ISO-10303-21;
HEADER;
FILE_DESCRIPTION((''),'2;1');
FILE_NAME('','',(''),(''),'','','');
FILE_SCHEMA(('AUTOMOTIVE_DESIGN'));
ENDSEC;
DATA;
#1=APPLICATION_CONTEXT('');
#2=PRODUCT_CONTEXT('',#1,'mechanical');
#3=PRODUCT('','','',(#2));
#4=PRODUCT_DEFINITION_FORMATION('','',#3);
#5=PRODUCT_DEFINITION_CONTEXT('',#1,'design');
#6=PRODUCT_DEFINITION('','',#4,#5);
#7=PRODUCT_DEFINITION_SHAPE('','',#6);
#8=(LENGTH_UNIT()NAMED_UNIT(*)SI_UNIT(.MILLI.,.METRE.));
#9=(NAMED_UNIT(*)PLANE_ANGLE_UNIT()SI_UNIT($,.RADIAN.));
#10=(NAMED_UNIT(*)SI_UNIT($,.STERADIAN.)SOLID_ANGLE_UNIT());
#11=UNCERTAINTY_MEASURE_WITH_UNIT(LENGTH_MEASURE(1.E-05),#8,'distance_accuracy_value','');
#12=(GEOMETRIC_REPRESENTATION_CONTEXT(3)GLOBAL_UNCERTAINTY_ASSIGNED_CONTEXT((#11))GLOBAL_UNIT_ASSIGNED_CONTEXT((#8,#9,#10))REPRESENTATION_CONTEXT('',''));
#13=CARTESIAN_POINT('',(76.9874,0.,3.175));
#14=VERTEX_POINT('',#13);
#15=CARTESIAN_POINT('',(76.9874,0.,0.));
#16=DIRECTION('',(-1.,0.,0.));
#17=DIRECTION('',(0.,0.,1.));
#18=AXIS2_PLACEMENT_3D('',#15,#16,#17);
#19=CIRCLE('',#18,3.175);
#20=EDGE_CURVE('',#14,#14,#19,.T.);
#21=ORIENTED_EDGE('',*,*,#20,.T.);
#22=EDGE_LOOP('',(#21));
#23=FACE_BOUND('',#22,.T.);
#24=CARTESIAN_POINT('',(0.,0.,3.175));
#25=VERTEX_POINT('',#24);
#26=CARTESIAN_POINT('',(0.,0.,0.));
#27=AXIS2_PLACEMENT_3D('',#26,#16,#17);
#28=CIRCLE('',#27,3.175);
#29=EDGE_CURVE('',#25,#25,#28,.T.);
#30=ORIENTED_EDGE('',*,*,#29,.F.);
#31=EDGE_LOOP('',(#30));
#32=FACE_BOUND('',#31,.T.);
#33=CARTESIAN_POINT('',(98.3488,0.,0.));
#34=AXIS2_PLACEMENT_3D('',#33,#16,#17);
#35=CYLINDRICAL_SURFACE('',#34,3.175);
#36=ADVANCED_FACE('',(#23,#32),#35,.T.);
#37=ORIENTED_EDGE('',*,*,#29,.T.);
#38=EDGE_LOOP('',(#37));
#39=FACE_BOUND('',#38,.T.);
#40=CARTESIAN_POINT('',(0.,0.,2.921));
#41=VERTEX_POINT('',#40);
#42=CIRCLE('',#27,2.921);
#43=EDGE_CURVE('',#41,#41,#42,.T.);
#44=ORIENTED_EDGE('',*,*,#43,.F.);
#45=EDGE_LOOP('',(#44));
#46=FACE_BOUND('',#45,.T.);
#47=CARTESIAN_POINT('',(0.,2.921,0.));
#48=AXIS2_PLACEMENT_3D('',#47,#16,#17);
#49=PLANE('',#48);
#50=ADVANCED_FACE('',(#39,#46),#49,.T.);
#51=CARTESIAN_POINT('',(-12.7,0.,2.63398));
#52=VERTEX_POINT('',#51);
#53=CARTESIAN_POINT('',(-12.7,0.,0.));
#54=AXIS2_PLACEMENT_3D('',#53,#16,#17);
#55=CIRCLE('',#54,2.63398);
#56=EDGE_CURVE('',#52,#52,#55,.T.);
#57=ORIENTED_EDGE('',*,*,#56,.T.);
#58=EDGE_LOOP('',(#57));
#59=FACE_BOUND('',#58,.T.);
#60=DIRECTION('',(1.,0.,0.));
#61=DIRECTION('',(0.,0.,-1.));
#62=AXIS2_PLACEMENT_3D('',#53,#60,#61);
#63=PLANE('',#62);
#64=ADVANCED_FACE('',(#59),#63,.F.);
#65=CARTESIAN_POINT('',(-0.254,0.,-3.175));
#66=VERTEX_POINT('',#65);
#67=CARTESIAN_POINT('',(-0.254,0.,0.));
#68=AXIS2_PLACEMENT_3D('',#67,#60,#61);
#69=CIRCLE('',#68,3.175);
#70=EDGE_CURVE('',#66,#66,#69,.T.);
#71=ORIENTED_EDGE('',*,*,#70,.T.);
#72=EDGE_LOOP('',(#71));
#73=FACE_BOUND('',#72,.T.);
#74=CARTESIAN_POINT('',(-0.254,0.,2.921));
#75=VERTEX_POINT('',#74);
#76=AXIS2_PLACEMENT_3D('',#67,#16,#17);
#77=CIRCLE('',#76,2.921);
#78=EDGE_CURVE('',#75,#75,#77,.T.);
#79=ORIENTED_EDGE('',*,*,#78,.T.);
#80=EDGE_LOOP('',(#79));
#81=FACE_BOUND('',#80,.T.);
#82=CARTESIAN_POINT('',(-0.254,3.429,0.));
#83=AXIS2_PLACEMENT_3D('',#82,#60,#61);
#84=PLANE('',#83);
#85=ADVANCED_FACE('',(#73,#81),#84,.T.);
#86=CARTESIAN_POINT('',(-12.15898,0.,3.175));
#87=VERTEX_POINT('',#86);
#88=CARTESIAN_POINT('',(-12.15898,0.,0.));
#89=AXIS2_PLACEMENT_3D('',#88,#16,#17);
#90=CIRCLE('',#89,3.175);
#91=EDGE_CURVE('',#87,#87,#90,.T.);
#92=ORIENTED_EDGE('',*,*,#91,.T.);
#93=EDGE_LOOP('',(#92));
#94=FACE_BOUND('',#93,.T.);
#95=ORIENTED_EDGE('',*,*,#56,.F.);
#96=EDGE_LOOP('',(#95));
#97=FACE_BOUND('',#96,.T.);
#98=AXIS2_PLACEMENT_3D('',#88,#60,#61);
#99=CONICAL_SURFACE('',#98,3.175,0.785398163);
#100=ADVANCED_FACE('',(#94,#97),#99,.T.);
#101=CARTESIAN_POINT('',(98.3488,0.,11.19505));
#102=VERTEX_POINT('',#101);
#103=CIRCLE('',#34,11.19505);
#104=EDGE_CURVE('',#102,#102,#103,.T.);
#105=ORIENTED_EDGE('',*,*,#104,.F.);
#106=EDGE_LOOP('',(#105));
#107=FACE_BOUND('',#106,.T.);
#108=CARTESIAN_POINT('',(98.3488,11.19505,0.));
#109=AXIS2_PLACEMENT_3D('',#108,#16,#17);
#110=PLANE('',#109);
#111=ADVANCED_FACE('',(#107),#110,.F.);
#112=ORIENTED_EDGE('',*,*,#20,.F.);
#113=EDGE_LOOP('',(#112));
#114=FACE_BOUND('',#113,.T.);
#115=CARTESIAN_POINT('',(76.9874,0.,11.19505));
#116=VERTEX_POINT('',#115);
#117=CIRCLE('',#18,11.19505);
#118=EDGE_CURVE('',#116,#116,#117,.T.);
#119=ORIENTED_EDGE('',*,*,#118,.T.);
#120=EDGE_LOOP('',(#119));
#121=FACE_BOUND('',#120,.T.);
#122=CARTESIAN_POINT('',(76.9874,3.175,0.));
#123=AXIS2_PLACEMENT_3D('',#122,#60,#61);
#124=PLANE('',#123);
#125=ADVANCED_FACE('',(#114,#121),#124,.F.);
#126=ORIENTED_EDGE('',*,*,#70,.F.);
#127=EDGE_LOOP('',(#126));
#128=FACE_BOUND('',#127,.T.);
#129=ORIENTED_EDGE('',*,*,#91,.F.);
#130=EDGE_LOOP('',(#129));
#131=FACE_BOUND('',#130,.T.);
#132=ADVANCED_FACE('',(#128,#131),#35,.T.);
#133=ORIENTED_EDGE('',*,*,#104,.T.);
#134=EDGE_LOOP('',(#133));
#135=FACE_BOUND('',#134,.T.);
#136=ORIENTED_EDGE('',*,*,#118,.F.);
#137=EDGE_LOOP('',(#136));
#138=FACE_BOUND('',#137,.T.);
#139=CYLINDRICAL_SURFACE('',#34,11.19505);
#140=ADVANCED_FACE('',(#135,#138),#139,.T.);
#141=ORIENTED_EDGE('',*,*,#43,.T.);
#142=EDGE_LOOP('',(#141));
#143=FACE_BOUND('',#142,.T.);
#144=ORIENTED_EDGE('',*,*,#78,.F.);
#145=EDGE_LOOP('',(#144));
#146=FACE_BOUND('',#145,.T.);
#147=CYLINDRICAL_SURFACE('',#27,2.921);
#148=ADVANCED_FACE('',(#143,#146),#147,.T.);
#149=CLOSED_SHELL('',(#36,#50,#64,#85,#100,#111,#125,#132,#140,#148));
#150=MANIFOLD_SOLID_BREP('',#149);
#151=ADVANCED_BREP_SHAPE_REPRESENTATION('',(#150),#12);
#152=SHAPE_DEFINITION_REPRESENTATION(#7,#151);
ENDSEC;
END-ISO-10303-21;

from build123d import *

# Parameters (mm, degrees)
SKETCH3_W = 0.254
SKETCH3_H = 0.508


with BuildPart() as part:
    # Sketch1 → Revolve1 (revolve)
    with BuildSketch(Plane.XY):
        Polygon((0, 0), (0, 3.175), (76.9874, 3.175), (76.9874, 11.19505), (98.3488, 11.19505), (98.3488, 0), align=None)
    revolve(axis=Axis((98.3488, 0, 0), (-1, 0, 0)))

    # Sketch2 → Revolve2 (revolve)
    with BuildSketch(Plane.XY):
        Polygon((-12.7, 0), (-12.7, 2.63398), (-12.15898, 3.175), (0, 3.175), (0, 0), align=None)
    revolve(axis=Axis((0, 0, 0), (-1, 0, 0)))

    # Sketch3 → Cut-Revolve1 (revolve, cut)
    with BuildSketch(Plane.XY):
        with Locations((-0.127, 3.175)):
            Rectangle(SKETCH3_W, SKETCH3_H)
    revolve(axis=Axis((0, 0, 0), (-1, 0, 0)), mode=Mode.SUBTRACT)


solid = part.part
